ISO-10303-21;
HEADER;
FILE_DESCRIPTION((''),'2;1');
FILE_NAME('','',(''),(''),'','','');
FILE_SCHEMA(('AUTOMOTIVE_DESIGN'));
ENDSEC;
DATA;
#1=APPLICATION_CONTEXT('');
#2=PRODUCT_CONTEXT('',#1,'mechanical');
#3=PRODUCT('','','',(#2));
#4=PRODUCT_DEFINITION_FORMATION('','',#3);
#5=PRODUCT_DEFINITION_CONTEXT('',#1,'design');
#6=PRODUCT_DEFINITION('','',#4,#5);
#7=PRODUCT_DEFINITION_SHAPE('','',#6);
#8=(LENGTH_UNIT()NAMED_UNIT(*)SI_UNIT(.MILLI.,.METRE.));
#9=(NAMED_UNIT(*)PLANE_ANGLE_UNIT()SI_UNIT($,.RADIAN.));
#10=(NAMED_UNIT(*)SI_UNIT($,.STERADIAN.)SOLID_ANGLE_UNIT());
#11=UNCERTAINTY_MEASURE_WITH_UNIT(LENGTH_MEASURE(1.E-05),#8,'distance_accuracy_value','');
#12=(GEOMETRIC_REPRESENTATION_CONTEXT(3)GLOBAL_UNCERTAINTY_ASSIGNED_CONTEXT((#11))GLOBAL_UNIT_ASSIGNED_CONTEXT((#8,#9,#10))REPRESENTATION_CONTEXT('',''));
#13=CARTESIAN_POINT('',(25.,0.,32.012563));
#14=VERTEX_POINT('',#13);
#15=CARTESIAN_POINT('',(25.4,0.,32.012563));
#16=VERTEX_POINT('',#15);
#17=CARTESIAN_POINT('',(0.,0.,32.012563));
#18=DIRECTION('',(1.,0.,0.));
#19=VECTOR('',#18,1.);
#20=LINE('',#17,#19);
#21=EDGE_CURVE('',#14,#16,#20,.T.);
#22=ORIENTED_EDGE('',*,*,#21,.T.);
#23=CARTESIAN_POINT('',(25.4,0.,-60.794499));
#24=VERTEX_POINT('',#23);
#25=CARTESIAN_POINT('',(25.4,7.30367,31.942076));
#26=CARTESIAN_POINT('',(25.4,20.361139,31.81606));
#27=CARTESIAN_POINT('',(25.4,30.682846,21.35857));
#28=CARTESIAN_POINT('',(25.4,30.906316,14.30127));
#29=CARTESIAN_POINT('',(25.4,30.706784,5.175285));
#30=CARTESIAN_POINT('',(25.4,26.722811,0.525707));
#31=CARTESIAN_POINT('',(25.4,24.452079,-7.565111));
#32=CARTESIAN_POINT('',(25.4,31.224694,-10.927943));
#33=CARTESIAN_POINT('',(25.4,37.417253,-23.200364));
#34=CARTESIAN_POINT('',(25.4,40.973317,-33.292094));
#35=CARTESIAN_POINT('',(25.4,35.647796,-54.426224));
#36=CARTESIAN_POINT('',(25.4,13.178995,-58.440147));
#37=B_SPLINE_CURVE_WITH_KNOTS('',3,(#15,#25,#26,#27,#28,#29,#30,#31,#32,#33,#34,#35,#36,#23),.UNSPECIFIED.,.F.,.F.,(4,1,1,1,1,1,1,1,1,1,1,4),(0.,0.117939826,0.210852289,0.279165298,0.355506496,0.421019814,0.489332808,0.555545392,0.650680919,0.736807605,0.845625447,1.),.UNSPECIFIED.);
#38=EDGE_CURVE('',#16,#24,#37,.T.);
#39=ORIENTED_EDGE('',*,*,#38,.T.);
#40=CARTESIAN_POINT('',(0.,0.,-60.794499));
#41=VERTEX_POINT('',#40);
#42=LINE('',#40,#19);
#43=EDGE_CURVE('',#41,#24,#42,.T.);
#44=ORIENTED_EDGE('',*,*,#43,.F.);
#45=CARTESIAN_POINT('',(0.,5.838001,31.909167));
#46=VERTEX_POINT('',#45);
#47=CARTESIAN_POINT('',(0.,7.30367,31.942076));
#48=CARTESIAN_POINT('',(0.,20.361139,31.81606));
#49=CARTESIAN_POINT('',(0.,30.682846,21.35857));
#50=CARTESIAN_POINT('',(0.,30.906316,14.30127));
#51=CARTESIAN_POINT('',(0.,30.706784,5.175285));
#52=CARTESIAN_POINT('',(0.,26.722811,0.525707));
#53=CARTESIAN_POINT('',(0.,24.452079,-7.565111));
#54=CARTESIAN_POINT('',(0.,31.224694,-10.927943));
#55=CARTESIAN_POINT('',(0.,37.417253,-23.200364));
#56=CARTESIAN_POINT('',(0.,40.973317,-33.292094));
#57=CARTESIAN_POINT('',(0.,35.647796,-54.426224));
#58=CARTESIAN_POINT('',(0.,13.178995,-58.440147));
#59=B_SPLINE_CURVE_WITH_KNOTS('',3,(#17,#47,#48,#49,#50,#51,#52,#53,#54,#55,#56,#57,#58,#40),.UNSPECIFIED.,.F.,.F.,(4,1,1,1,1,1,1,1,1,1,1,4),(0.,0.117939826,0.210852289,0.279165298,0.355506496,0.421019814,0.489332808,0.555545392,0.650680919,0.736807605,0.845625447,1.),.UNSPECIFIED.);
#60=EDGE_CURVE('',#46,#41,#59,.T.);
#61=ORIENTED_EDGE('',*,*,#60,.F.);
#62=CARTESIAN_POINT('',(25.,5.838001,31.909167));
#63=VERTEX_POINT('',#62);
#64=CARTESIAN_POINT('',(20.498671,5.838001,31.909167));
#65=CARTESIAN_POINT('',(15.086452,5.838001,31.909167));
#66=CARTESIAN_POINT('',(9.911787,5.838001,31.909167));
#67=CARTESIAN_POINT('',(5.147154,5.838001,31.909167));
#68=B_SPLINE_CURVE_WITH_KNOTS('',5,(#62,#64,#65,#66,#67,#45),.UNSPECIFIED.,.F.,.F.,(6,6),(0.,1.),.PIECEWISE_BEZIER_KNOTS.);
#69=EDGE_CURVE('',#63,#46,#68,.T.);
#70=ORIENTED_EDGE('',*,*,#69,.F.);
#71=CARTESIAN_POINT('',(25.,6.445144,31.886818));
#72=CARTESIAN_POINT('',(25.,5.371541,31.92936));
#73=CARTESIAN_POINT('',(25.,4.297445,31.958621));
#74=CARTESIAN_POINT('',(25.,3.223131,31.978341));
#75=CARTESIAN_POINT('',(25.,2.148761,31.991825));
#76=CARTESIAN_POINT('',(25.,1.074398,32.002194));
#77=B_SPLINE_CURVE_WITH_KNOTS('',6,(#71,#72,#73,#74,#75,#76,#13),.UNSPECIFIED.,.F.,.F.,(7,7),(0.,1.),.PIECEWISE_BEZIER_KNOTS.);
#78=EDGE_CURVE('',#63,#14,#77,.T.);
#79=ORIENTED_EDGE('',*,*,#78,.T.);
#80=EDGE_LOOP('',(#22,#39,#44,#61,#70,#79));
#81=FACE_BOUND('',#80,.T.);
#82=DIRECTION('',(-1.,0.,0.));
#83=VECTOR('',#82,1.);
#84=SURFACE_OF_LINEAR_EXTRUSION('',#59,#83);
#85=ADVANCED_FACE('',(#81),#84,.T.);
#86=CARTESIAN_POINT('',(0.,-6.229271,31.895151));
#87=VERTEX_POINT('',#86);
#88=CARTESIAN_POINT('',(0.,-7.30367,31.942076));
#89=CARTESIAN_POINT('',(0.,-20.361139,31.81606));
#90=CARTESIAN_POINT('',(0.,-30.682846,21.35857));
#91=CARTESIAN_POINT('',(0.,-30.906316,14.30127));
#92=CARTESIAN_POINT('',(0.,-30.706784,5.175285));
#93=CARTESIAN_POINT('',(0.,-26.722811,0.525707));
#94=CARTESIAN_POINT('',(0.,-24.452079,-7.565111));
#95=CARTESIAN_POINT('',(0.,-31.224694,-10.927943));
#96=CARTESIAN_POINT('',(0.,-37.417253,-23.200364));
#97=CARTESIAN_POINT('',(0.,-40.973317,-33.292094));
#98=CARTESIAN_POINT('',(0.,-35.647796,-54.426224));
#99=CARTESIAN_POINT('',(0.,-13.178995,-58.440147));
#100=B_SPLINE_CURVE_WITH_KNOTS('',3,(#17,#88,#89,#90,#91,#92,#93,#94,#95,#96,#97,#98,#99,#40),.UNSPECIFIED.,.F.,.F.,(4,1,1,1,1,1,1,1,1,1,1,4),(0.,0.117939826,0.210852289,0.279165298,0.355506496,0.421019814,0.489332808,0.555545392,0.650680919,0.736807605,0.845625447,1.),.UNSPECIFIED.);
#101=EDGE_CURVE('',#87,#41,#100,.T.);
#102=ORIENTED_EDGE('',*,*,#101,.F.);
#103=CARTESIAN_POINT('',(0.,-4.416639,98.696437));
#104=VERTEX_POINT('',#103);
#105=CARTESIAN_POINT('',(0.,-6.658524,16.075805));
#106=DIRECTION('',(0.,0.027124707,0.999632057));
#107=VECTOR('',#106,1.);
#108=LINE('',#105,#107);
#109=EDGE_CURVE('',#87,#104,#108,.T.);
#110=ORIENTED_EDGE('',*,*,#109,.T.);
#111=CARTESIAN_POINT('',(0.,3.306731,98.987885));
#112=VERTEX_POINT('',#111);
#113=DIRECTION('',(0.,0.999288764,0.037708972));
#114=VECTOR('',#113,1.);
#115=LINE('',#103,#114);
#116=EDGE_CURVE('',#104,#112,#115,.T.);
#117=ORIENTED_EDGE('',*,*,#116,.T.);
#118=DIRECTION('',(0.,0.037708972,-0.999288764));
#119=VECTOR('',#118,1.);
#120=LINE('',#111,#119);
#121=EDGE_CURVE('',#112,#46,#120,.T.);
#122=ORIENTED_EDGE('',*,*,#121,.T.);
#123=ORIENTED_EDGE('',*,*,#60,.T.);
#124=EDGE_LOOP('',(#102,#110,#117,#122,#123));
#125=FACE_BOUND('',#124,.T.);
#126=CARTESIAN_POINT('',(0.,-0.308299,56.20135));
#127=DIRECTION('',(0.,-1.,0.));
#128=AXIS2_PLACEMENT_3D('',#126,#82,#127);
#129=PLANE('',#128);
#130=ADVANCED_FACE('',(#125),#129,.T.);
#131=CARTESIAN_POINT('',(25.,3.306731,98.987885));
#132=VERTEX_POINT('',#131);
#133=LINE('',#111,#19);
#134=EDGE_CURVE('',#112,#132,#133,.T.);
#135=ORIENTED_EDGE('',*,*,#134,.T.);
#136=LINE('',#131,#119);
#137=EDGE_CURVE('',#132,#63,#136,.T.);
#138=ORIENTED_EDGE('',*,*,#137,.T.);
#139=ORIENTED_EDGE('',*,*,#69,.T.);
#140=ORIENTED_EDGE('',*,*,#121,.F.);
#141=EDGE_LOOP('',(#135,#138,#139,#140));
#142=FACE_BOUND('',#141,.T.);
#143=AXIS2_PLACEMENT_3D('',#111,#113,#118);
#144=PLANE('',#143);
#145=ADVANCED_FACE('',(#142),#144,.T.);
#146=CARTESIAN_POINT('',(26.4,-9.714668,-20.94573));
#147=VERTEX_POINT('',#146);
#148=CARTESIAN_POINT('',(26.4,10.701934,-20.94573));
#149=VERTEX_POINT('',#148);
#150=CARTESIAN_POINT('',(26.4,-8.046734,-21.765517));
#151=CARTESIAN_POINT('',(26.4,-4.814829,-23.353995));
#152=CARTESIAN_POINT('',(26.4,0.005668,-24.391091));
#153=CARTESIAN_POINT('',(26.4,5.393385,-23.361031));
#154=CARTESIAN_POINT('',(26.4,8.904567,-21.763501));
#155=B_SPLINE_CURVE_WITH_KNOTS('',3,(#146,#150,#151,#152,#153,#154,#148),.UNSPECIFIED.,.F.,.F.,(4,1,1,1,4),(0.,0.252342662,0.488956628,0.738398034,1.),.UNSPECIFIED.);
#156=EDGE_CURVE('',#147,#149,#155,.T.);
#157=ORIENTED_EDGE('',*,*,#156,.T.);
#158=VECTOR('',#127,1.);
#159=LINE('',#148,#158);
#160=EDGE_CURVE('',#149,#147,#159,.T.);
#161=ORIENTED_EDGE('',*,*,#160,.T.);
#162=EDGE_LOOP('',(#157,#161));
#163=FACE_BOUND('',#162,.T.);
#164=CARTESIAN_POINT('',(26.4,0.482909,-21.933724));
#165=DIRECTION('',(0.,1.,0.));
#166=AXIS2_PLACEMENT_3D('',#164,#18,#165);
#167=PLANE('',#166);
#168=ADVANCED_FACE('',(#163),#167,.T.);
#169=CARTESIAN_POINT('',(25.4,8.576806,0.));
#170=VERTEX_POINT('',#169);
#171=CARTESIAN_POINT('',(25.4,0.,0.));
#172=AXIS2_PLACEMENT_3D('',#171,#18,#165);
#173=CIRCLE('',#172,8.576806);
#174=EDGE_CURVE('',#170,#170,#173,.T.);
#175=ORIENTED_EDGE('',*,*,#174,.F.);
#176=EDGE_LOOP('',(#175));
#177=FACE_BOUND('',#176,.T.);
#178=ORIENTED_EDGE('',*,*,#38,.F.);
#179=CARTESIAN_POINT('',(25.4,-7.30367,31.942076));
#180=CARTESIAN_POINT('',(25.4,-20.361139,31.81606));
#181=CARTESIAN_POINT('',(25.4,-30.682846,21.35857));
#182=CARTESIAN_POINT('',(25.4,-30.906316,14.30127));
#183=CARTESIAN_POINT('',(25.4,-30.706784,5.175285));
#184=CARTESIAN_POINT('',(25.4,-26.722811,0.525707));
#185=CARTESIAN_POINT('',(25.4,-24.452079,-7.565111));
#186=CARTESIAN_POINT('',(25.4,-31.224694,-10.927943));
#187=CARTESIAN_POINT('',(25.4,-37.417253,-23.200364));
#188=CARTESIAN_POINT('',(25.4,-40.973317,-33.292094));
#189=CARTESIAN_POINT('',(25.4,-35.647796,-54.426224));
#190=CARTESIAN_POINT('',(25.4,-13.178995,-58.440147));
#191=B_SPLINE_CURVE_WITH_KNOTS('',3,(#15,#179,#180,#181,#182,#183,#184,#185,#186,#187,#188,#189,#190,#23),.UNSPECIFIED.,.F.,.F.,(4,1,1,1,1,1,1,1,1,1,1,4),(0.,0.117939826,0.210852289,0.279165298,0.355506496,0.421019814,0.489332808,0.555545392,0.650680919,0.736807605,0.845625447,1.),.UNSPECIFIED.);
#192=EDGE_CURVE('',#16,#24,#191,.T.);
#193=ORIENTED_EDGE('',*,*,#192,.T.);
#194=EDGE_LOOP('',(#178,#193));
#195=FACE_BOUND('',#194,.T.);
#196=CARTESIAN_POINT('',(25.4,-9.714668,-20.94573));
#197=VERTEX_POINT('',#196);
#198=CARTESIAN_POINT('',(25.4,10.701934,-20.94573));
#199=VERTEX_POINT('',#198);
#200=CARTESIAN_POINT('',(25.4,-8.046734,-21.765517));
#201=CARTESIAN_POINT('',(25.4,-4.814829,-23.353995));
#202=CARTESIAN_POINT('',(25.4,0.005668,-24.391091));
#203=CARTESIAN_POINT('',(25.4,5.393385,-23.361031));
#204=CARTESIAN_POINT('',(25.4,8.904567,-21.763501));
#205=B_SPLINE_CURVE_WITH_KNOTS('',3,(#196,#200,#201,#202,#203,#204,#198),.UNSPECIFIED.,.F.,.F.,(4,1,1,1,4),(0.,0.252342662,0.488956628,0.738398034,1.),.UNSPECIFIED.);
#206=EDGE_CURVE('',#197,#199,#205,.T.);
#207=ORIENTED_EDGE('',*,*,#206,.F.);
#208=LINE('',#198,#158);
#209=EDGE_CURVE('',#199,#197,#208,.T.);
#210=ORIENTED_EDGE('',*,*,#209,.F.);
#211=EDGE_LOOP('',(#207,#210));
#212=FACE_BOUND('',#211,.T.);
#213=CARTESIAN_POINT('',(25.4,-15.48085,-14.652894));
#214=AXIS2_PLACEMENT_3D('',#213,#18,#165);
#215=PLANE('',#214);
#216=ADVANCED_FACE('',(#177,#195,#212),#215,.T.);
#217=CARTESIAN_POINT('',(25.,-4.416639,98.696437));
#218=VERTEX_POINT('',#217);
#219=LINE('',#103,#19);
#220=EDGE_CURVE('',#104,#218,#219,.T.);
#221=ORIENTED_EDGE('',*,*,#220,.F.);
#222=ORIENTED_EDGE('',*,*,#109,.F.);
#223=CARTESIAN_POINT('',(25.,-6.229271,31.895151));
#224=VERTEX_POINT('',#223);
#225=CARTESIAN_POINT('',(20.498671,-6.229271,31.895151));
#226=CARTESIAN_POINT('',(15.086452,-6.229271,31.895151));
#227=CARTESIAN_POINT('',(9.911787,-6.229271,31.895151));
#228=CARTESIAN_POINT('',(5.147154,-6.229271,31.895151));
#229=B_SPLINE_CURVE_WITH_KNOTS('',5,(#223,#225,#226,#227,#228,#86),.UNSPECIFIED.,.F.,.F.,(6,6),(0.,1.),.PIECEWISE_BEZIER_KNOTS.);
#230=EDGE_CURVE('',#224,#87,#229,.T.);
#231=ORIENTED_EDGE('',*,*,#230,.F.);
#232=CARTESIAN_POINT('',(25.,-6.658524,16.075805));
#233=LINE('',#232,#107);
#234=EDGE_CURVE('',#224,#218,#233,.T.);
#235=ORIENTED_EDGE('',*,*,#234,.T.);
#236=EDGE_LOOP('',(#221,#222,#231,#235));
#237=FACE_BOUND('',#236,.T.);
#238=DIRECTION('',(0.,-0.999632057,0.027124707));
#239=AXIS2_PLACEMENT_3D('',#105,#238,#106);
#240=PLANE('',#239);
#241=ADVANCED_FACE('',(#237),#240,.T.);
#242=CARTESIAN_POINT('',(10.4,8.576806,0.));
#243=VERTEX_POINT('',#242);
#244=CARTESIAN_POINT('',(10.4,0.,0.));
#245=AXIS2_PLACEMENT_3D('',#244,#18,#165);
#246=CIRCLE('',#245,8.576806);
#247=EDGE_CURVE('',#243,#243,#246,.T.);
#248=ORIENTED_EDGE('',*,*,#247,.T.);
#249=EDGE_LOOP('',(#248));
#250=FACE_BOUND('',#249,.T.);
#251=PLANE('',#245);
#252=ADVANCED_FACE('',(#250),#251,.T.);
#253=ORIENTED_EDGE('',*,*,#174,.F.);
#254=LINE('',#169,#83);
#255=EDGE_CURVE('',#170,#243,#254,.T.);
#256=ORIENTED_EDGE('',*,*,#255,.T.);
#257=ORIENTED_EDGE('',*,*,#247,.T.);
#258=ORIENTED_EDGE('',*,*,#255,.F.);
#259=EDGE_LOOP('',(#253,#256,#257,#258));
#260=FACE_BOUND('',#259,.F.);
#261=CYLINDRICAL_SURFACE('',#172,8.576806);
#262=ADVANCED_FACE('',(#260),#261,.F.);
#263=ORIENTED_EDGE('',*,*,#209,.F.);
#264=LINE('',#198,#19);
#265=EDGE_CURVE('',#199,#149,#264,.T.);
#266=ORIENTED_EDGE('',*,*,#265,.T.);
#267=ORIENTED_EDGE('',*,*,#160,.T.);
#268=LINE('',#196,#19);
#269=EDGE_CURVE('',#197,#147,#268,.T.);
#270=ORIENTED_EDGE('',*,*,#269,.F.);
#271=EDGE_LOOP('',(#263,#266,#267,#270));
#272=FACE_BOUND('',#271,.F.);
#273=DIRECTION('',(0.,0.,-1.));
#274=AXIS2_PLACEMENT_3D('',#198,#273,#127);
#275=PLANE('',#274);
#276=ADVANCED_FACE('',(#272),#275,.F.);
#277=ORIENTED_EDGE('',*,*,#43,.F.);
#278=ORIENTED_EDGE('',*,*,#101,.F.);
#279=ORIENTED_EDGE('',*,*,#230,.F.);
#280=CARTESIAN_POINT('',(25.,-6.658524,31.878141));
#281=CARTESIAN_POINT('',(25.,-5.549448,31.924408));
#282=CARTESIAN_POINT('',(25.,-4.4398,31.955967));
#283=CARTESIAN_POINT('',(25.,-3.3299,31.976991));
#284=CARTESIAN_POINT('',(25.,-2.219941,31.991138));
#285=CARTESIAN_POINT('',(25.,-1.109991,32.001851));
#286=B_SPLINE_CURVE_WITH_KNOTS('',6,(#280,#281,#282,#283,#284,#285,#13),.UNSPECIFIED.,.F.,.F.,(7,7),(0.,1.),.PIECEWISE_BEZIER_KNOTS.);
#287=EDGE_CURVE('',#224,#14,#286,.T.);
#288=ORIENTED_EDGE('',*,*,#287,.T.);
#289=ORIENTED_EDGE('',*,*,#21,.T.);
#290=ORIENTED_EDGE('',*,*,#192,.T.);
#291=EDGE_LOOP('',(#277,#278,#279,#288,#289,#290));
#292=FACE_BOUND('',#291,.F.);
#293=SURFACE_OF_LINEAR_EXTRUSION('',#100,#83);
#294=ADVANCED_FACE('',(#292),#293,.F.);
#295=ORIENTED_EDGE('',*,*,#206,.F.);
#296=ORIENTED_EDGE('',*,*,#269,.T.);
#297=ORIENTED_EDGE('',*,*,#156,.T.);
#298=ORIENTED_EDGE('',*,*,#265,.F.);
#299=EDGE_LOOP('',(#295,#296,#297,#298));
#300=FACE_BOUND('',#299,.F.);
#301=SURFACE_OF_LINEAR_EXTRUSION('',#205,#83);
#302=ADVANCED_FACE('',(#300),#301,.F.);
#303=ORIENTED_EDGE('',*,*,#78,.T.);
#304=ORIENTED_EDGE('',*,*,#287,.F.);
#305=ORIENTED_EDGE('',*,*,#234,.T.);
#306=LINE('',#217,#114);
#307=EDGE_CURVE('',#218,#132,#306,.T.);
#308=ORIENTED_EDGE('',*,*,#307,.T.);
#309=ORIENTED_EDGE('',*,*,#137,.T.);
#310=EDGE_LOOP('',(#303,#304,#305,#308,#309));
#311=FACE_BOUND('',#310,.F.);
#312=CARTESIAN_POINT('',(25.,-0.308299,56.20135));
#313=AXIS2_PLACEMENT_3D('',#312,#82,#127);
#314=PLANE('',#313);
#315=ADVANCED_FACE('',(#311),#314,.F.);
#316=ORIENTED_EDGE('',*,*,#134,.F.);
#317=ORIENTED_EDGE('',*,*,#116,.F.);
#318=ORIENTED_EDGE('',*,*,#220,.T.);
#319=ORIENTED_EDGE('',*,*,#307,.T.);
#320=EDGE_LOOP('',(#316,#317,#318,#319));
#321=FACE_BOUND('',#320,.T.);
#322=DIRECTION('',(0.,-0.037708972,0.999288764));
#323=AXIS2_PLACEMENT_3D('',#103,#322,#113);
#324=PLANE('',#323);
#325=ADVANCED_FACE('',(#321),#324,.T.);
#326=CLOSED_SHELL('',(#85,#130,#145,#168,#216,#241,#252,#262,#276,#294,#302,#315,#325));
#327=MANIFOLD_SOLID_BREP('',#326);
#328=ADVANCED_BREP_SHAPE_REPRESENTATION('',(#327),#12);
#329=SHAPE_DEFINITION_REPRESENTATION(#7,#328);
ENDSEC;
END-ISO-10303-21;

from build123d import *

# Parameters (mm, degrees)
F1_DEPTH = 25.4
F2_R     = 8.5768061458
F3_DEPTH = 15
F6_DEPTH = 1
F8_DEPTH = 25


with BuildPart() as f1:
    # F0 (on Right) → F1 (new body)
    with BuildSketch(Plane.YZ):
        with BuildLine():
            Line((0, -60.7944987714), (0, 32.0125631988))
            add(Edge.make_bspline(
                [(0, 32.0125631988), (-7.3036702232, 31.9420760834), (-20.3611388862, 31.8160595365), (-30.6828455354, 21.3585702987), (-30.9063159863, 14.3012698923), (-30.7067835333, 5.1752849671), (-26.7228113585, 0.5257069547), (-24.4520788672, -7.5651113822), (-31.2246939632, -10.9279425278), (-37.4172531202, -23.2003637503), (-40.9733174943, -33.2920942017), (-35.6477963876, -54.4262244109), (-13.1789947885, -58.4401469429), (0, -60.7944987714)],
                knots=[0, 0, 0, 0, 0.1179398262, 0.2108522889, 0.2791652984, 0.3555064965, 0.4210198143, 0.4893328078, 0.5555453916, 0.6506809193, 0.7368076045, 0.8456254468, 1, 1, 1, 1], degree=3))
        make_face()
        with BuildLine():
            add(Edge.make_bspline(
                [(0, 32.0125631988), (7.3036702232, 31.9420760834), (20.3611388862, 31.8160595365), (30.6828455354, 21.3585702987), (30.9063159863, 14.3012698923), (30.7067835333, 5.1752849671), (26.7228113585, 0.5257069547), (24.4520788672, -7.5651113822), (31.2246939632, -10.9279425278), (37.4172531202, -23.2003637503), (40.9733174943, -33.2920942017), (35.6477963876, -54.4262244109), (13.1789947885, -58.4401469429), (0, -60.7944987714)],
                knots=[0, 0, 0, 0, 0.1179398262, 0.2108522889, 0.2791652984, 0.3555064965, 0.4210198143, 0.4893328078, 0.5555453916, 0.6506809193, 0.7368076045, 0.8456254468, 1, 1, 1, 1], degree=3))
            Line((0, 32.0125631988), (0, -60.7944987714))
        make_face()
    extrude(amount=F1_DEPTH)

    # F2 (on face) → F3 (cut)
    with BuildSketch(Plane.YZ.offset(25.4)):
        Circle(F2_R)
    extrude(amount=-F3_DEPTH, mode=Mode.SUBTRACT)

    # F5 (on face) → F6 (join)
    with BuildSketch(Plane.YZ.offset(25.4)):
        with BuildLine():
            Line((10.7019338757, -20.9457296878), (-9.7146676853, -20.9457296878))
            add(Edge.make_bspline(
                [(-9.7146676853, -20.9457296878), (-8.0467335993, -21.7655172879), (-4.8148289392, -23.3539945468), (0.0056676819, -24.3910912064), (5.3933850842, -23.3610307739), (8.9045674362, -21.7635014149), (10.7019338757, -20.9457296878)],
                knots=[0, 0, 0, 0, 0.2523426625, 0.4889566283, 0.7383980343, 1, 1, 1, 1], degree=3))
        make_face()
    extrude(amount=F6_DEPTH)

    # F7 (on face) → F8 (join)
    with BuildSketch(Plane(origin=(0, 0, 0), x_dir=(0, -1, 0), z_dir=(-1, 0, 0))):
        Polygon((-3.3067306504, 98.9878848195), (-6.4451443031, 15.8198401332), (6.6585242748, 16.0758048296), (4.4166389194, 98.6964372017), align=None)
    extrude(amount=-F8_DEPTH)


solid = f1.part
